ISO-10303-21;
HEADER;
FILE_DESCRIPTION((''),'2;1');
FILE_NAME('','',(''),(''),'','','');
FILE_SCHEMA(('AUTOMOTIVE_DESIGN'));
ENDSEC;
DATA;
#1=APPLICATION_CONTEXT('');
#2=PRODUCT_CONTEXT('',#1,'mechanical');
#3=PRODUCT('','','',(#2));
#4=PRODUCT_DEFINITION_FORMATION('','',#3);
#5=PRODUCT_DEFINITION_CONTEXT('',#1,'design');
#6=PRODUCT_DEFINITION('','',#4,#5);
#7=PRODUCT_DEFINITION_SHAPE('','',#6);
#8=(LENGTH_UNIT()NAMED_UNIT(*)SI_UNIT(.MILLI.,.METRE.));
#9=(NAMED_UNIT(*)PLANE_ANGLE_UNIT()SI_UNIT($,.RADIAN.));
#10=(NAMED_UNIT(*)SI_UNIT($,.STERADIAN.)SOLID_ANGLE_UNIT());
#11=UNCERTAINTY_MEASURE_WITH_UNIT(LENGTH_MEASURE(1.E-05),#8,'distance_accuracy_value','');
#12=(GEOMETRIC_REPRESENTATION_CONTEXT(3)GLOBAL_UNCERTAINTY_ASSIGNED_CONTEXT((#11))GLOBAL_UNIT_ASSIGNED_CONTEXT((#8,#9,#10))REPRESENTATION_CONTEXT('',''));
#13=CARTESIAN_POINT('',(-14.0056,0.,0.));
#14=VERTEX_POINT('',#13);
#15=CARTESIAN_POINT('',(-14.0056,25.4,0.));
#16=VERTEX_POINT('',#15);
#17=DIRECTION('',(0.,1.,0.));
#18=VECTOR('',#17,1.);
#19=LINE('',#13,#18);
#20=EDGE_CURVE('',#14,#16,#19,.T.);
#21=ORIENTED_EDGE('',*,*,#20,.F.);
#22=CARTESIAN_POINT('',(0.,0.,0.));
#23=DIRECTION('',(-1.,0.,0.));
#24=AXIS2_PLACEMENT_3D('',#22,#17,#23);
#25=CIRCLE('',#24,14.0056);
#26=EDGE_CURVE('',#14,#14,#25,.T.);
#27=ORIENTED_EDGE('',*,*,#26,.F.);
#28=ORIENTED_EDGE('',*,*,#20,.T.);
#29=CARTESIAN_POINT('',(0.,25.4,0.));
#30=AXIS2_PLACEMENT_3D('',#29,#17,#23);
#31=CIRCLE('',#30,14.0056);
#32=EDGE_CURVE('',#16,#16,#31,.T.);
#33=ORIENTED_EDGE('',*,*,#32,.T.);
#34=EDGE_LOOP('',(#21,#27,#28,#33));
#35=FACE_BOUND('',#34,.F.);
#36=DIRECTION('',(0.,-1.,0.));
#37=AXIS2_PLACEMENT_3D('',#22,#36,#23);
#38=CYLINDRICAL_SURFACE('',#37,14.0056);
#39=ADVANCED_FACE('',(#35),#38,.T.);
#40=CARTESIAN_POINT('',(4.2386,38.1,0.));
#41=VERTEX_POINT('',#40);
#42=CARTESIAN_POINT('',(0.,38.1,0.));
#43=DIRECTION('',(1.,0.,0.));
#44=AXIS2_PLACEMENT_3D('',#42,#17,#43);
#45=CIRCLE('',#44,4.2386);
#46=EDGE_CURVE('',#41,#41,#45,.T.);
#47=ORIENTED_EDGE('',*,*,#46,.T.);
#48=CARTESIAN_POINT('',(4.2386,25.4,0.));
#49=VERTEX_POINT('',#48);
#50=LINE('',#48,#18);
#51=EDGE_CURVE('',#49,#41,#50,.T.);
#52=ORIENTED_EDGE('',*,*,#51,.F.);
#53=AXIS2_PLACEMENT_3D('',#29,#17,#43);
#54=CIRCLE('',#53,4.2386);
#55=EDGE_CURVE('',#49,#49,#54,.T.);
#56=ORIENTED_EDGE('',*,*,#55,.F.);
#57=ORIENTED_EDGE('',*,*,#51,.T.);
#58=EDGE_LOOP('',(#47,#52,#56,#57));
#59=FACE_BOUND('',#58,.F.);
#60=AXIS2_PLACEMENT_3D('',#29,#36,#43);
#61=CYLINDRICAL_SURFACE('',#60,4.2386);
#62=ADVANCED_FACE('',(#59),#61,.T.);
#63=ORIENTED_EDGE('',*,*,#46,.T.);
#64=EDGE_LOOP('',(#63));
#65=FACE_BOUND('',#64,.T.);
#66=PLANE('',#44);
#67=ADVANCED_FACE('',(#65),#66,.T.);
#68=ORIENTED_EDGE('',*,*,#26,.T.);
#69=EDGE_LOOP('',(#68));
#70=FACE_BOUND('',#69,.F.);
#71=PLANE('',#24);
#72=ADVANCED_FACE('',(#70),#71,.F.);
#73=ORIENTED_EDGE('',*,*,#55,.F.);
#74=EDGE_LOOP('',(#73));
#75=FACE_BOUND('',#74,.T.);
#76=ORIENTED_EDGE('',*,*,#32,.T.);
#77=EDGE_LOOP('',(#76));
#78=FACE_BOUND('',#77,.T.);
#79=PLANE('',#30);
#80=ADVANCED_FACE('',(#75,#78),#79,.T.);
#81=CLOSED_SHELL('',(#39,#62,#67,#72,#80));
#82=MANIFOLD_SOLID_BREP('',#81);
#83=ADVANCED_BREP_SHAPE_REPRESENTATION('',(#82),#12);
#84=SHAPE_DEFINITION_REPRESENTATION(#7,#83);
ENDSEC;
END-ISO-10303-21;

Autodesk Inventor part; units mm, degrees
ref_plane "YZ Plane" through (0, 0, 0) normal (1, 0, 0) x (0, 1, 0)
ref_plane "XZ Plane" through (0, 0, 0) normal (0, 1, 0) x (-1, 0, 0)
ref_plane "XY Plane" through (0, 0, 0) normal (0, 0, 1) x (1, 0, 0)
sketch "Sketch1" plane through (0, 0, 0) normal (0, 1, 0) x (-1, 0, 0)
  circle A0 centre (0, 0) radius 4.2386
  circle A1 centre (0, 0) radius 14.0056
  dimension "d0" = 8.4772
  dimension "d1" = 28.0111
extrude "Extrusion1" add sketch "Sketch1" along normal blind 25.4 contours A0 | A1
sketch "Sketch2" plane through (0, 25.4, 0) normal (0, 1, 0) x (1, 0, 0)
  circle A0 centre (0, 0) radius 4.2386
  circle A1 centre (0, 0) radius 14.0056
  dimension "d4" = 8.4772
  dimension "d5" = 28.0111
extrude "Extrusion2" add sketch "Sketch2" along normal blind 12.7 contours A0
properties part number "Motor"
